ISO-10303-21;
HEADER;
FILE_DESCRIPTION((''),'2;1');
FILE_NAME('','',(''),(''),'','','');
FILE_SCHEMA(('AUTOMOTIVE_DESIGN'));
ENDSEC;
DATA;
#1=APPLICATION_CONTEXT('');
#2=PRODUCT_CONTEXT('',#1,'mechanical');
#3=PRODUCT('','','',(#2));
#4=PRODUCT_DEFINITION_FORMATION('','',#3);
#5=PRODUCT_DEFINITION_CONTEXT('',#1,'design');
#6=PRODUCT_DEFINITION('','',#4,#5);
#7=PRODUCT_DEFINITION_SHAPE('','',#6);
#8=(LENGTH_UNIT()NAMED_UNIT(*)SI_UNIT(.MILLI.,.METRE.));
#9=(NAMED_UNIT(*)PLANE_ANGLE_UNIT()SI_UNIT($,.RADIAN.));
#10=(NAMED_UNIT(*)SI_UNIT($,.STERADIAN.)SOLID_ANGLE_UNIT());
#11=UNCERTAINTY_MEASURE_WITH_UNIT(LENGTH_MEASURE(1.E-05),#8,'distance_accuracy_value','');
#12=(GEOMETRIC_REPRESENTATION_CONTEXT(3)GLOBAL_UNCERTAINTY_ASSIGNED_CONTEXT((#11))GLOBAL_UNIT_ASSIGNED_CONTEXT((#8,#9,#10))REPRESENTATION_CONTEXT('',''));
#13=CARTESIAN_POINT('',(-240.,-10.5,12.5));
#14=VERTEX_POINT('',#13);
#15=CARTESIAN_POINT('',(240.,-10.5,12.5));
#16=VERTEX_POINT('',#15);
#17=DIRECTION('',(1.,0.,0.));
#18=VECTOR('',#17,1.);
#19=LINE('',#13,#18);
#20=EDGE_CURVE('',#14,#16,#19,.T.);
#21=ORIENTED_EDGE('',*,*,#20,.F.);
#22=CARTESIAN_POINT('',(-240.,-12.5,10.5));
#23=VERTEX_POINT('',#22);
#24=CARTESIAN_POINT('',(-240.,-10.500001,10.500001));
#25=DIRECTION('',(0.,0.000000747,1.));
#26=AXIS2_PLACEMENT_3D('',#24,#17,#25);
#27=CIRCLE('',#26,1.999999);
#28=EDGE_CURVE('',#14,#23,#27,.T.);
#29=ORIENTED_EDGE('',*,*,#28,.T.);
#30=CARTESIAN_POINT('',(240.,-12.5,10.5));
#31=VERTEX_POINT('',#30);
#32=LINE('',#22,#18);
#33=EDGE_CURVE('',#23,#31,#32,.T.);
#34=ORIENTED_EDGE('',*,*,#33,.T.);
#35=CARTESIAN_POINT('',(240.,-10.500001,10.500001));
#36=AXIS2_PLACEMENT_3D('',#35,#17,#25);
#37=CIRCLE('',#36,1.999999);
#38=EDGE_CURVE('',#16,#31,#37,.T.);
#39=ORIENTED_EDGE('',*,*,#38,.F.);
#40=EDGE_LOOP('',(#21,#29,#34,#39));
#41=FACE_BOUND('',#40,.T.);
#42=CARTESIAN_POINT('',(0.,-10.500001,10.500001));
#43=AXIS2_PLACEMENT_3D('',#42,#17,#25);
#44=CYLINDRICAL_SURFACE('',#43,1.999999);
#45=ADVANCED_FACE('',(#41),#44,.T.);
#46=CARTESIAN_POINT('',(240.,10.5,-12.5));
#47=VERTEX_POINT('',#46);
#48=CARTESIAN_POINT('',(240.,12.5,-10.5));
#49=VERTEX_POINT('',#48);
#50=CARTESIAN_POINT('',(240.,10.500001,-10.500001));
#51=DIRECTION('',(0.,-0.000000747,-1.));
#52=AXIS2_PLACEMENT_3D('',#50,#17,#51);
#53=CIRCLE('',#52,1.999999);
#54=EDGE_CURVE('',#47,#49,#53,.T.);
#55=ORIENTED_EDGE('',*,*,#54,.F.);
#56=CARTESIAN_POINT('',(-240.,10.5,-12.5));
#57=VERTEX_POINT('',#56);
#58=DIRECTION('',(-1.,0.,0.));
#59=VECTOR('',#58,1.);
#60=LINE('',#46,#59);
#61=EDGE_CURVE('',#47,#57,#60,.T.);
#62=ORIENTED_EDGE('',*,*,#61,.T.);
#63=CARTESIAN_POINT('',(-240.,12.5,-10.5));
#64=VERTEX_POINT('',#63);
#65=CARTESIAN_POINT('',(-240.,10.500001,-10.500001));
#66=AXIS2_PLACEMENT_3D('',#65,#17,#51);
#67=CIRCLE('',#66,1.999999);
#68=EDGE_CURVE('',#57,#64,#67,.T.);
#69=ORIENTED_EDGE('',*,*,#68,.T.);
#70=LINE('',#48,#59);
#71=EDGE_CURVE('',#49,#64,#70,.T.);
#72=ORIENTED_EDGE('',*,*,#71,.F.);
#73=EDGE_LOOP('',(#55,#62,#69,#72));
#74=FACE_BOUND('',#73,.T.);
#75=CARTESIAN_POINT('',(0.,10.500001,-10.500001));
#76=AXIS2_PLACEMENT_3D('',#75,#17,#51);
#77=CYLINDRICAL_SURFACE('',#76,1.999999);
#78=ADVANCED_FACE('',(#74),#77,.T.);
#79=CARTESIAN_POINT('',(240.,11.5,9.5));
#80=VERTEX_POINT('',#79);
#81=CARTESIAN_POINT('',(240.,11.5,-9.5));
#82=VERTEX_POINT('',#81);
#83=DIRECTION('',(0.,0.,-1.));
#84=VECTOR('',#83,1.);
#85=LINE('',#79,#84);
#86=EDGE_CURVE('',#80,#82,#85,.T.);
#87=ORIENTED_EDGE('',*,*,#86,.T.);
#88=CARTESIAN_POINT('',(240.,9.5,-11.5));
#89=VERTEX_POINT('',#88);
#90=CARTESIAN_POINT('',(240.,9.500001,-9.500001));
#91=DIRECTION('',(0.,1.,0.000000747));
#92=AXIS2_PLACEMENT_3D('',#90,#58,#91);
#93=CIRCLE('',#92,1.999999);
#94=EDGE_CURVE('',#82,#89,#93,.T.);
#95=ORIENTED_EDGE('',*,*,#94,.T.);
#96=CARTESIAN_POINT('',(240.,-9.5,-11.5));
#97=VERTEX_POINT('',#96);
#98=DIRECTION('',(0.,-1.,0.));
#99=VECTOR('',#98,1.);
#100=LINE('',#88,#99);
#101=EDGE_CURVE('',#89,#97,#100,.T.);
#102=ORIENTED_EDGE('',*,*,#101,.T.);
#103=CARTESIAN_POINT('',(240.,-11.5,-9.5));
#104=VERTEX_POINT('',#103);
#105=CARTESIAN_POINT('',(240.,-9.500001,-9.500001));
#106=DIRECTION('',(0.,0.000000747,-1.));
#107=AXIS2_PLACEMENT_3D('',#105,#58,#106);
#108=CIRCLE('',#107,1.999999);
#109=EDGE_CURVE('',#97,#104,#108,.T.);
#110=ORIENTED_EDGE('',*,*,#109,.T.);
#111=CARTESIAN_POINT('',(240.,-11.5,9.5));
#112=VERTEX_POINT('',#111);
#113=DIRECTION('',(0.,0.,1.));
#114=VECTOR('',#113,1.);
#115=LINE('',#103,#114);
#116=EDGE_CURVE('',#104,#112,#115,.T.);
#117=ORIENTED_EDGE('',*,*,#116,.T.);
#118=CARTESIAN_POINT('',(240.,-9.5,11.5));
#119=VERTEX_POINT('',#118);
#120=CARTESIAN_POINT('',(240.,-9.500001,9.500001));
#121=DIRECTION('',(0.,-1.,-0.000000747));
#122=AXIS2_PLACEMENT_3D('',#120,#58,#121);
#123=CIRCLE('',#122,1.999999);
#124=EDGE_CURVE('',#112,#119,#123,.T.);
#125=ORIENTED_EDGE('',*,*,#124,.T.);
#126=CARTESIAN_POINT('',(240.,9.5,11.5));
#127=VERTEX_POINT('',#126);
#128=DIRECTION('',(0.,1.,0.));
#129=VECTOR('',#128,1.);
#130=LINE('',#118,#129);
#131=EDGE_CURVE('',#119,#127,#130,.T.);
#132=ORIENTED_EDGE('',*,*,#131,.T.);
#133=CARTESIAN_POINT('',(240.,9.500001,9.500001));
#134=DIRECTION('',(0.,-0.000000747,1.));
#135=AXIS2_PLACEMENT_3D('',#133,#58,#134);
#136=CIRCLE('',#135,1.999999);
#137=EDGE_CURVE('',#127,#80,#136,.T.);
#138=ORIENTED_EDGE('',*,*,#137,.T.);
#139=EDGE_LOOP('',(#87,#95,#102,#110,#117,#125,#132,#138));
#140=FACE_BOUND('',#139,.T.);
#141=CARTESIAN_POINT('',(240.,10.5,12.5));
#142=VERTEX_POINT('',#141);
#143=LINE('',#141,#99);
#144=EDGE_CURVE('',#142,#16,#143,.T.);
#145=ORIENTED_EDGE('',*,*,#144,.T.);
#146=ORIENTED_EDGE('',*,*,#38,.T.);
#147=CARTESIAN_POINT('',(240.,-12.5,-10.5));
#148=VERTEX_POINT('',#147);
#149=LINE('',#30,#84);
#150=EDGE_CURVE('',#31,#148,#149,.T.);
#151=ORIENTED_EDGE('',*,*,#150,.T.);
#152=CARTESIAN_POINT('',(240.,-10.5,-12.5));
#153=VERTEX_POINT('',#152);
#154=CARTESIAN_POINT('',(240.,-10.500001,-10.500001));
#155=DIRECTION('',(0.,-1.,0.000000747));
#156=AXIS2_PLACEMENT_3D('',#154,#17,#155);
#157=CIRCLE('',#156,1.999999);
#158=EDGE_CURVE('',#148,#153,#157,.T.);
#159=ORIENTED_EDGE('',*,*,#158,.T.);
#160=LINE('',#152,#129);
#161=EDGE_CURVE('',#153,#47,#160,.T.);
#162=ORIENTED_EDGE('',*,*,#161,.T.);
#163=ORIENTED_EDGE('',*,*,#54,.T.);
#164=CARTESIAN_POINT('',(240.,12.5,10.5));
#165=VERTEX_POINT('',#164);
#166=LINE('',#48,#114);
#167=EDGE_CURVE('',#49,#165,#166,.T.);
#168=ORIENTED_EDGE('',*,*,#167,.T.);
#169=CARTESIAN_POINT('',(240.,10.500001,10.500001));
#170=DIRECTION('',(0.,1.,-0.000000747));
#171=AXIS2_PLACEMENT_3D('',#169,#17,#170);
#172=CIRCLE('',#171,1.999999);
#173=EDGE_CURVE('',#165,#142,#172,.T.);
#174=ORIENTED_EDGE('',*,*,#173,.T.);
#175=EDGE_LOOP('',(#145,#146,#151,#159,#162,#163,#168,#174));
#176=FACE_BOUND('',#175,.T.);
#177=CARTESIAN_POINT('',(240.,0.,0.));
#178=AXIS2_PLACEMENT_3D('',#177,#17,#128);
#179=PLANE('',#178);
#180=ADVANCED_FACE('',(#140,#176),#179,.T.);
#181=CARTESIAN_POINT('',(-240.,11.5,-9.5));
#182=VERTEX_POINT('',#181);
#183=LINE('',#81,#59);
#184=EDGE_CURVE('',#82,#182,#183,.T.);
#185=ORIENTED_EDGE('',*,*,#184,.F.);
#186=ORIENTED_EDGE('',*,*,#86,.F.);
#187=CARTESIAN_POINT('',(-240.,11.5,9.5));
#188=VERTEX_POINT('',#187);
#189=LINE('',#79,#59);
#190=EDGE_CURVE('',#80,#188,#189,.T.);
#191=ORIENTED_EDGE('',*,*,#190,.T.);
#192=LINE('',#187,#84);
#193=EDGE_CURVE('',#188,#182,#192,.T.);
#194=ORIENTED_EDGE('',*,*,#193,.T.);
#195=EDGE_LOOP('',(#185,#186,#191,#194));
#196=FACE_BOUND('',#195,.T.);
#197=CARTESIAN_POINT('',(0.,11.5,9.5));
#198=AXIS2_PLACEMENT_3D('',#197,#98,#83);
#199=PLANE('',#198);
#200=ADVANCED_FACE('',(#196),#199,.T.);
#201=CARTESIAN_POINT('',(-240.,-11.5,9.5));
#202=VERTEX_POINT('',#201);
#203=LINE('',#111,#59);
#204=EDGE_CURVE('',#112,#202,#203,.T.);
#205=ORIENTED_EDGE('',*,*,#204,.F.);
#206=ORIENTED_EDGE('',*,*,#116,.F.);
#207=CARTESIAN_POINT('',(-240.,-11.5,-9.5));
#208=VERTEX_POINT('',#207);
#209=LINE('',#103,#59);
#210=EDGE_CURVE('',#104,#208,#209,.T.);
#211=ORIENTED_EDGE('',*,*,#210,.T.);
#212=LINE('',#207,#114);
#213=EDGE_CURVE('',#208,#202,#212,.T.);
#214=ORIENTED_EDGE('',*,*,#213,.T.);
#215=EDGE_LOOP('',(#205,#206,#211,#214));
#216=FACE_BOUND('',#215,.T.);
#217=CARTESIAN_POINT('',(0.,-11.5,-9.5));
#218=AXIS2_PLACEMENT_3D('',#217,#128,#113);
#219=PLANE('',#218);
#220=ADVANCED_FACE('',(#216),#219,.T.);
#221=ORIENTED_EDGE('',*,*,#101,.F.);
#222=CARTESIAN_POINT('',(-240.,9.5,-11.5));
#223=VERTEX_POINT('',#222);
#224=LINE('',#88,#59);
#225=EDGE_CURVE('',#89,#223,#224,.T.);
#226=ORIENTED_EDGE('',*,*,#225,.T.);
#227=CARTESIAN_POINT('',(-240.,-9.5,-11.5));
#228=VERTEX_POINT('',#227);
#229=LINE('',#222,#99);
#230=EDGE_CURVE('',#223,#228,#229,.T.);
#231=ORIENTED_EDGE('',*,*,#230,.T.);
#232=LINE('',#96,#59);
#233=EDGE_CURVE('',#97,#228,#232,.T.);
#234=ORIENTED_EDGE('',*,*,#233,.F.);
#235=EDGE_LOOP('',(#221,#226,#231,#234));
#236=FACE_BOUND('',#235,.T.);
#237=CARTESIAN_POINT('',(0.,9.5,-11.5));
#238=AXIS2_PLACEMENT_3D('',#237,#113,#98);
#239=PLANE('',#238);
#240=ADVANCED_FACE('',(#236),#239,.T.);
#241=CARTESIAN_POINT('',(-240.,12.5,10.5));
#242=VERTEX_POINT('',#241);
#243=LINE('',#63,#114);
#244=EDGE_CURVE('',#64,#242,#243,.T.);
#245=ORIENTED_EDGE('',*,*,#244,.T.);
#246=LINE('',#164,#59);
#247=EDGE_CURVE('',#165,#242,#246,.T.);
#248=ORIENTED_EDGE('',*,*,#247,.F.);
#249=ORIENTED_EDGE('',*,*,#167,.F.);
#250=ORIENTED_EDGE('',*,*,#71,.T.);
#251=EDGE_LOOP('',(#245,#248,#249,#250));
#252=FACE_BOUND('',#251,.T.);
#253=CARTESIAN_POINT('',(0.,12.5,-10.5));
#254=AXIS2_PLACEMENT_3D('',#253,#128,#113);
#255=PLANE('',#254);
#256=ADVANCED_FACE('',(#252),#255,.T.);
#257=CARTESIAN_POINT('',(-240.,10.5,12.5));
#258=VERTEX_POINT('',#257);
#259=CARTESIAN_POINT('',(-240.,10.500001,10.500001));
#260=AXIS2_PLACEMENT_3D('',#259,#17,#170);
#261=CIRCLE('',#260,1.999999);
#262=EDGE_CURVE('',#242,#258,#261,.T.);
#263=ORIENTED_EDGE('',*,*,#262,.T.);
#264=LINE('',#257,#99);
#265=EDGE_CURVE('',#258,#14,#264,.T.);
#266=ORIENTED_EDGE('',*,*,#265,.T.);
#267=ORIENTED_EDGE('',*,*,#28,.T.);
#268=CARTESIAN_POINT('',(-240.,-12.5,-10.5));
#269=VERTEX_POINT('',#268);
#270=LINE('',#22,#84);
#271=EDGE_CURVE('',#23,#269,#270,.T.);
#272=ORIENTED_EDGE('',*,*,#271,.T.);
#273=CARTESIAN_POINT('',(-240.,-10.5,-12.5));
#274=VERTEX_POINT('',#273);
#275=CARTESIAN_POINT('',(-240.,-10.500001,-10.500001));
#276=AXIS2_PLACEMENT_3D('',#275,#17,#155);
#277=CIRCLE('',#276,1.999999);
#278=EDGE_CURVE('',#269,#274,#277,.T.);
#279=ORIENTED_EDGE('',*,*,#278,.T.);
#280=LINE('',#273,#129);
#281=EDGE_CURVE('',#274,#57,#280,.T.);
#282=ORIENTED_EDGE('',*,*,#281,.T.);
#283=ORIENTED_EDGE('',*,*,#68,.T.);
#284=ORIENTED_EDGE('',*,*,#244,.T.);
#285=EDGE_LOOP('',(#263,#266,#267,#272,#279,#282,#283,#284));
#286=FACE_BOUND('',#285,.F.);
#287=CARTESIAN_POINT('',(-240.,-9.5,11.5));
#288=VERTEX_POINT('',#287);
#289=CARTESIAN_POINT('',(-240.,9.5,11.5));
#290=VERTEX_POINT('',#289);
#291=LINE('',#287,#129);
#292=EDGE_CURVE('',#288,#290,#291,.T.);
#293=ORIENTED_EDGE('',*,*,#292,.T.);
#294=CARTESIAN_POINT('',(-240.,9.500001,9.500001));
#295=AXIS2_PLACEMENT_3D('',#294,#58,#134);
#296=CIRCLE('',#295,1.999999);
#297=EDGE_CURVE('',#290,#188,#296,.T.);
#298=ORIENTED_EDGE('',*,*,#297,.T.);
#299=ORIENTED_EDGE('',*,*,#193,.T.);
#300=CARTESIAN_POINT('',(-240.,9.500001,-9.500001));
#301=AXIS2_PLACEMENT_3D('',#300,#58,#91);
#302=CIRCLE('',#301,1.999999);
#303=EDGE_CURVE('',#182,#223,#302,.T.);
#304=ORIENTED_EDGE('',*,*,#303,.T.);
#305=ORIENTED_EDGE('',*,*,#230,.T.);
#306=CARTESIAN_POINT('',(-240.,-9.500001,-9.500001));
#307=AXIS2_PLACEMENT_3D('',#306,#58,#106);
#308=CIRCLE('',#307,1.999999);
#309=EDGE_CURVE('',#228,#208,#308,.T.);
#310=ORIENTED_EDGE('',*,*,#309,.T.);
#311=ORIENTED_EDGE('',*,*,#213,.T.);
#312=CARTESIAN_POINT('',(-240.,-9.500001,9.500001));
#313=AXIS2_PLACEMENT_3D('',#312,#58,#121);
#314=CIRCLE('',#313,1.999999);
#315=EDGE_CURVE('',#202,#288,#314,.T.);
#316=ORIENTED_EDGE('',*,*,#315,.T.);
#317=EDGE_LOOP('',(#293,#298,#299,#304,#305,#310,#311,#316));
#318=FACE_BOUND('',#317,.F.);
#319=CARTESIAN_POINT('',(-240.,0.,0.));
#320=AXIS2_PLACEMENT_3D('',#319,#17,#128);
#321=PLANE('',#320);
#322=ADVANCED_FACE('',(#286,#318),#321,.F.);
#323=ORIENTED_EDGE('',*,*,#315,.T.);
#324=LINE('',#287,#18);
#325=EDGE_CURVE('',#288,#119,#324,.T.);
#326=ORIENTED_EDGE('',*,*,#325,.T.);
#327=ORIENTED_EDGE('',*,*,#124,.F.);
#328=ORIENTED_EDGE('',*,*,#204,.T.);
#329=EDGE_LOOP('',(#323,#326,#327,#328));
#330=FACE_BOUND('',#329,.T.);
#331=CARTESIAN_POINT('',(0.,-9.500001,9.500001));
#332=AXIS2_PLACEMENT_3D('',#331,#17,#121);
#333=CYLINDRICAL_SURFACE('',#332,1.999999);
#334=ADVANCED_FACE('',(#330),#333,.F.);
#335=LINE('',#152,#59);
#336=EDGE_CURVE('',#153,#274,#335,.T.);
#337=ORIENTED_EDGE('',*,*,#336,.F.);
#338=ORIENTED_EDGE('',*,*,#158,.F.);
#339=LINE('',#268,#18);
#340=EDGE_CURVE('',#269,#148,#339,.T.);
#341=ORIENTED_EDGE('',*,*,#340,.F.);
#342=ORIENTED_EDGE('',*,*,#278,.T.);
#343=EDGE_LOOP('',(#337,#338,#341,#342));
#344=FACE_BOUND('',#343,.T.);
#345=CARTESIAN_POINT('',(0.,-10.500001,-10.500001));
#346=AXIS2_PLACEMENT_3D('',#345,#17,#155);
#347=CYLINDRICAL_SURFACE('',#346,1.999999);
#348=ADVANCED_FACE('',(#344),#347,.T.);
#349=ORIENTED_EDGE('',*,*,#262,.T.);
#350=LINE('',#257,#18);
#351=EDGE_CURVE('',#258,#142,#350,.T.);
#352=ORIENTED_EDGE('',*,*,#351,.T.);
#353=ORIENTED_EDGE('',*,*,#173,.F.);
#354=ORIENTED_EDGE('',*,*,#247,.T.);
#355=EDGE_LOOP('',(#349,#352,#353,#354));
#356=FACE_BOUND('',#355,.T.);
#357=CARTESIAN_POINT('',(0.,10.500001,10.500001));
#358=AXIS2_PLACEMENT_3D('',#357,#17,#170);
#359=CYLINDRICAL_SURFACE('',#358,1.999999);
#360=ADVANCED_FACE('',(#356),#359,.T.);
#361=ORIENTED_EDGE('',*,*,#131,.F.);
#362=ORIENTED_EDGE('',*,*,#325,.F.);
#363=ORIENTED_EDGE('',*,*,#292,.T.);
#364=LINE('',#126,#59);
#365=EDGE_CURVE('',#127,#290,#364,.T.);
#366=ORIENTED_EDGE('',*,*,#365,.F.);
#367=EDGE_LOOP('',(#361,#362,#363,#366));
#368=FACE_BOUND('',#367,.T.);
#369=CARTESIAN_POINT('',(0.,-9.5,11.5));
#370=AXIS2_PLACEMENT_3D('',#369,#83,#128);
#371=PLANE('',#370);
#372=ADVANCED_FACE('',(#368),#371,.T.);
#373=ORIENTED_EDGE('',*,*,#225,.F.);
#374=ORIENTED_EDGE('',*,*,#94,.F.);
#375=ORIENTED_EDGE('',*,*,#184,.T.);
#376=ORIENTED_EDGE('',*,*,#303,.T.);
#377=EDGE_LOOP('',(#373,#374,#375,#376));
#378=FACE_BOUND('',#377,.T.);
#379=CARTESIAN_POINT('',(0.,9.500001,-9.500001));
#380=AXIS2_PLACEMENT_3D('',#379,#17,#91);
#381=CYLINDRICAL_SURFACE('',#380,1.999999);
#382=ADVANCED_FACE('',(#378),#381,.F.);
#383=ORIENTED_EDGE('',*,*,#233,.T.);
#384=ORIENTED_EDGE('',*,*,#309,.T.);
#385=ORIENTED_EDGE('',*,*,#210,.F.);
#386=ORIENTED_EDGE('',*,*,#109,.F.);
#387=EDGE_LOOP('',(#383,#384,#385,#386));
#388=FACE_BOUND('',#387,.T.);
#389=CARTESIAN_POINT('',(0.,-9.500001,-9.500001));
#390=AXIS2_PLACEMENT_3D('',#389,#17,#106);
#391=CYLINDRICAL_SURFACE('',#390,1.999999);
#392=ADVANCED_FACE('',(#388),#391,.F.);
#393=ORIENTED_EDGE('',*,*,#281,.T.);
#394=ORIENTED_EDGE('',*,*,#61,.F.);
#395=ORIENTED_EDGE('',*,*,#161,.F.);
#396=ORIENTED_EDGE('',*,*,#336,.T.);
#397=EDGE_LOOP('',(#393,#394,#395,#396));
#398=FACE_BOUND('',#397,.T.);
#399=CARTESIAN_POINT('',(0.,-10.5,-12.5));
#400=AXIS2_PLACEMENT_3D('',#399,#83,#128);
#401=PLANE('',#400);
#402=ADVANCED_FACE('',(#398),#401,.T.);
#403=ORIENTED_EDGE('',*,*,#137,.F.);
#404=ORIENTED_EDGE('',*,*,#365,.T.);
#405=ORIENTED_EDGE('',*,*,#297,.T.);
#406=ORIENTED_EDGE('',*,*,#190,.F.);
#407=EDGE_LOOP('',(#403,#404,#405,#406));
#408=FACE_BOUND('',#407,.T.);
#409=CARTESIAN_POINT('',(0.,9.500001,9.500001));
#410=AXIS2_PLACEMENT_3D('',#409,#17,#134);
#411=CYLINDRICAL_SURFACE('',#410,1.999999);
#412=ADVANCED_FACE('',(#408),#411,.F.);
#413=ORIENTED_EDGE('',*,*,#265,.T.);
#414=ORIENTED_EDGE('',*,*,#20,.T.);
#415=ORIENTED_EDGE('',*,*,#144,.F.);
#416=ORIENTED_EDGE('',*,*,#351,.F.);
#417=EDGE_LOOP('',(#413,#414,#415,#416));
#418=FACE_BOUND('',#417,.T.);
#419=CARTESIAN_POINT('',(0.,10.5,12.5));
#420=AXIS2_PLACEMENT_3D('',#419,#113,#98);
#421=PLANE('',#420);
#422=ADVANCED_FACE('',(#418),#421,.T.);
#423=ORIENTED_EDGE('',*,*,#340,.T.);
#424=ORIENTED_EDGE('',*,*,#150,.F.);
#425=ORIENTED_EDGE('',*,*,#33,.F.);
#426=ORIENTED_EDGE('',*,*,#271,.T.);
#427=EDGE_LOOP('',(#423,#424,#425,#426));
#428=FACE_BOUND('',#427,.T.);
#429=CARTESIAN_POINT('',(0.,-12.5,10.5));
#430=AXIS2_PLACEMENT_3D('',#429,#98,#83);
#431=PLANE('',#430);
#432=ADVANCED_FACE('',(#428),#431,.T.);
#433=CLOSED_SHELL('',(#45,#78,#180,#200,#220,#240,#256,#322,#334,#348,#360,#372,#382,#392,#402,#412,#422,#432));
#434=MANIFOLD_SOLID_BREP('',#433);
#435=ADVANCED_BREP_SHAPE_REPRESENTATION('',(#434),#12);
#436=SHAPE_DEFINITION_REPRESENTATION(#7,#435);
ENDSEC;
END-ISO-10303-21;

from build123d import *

# Parameters (mm, degrees)
F1_DEPTH = 240


with BuildPart() as f1:
    # F0 (on Right) → F1 (new body, symmetric)
    with BuildSketch(Plane.YZ):
        with BuildLine():
            ThreePointArc((12.5, 10.5), (11.914214, 11.914214), (10.5, 12.5))
            Line((10.5, 12.5), (-10.5, 12.5))
            ThreePointArc((-10.5, 12.5), (-11.914214, 11.914214), (-12.5, 10.5))
            Line((-12.5, 10.5), (-12.5, -10.5))
            ThreePointArc((-12.5, -10.5), (-11.914214, -11.914214), (-10.5, -12.5))
            Line((-10.5, -12.5), (10.5, -12.5))
            ThreePointArc((10.5, -12.5), (11.914214, -11.914214), (12.5, -10.5))
            Line((12.5, -10.5), (12.5, 10.5))
        make_face()
        with BuildLine():
            Line((-9.5, 11.5), (9.5, 11.5))
            ThreePointArc((9.5, 11.5), (10.914214, 10.914214), (11.5, 9.5))
            Line((11.5, 9.5), (11.5, -9.5))
            ThreePointArc((11.5, -9.5), (10.914214, -10.914214), (9.5, -11.5))
            Line((9.5, -11.5), (-9.5, -11.5))
            ThreePointArc((-9.5, -11.5), (-10.914214, -10.914214), (-11.5, -9.5))
            Line((-11.5, -9.5), (-11.5, 9.5))
            ThreePointArc((-11.5, 9.5), (-10.914214, 10.914214), (-9.5, 11.5))
        make_face(mode=Mode.SUBTRACT)
    extrude(amount=F1_DEPTH, both=True)


solid = f1.part
